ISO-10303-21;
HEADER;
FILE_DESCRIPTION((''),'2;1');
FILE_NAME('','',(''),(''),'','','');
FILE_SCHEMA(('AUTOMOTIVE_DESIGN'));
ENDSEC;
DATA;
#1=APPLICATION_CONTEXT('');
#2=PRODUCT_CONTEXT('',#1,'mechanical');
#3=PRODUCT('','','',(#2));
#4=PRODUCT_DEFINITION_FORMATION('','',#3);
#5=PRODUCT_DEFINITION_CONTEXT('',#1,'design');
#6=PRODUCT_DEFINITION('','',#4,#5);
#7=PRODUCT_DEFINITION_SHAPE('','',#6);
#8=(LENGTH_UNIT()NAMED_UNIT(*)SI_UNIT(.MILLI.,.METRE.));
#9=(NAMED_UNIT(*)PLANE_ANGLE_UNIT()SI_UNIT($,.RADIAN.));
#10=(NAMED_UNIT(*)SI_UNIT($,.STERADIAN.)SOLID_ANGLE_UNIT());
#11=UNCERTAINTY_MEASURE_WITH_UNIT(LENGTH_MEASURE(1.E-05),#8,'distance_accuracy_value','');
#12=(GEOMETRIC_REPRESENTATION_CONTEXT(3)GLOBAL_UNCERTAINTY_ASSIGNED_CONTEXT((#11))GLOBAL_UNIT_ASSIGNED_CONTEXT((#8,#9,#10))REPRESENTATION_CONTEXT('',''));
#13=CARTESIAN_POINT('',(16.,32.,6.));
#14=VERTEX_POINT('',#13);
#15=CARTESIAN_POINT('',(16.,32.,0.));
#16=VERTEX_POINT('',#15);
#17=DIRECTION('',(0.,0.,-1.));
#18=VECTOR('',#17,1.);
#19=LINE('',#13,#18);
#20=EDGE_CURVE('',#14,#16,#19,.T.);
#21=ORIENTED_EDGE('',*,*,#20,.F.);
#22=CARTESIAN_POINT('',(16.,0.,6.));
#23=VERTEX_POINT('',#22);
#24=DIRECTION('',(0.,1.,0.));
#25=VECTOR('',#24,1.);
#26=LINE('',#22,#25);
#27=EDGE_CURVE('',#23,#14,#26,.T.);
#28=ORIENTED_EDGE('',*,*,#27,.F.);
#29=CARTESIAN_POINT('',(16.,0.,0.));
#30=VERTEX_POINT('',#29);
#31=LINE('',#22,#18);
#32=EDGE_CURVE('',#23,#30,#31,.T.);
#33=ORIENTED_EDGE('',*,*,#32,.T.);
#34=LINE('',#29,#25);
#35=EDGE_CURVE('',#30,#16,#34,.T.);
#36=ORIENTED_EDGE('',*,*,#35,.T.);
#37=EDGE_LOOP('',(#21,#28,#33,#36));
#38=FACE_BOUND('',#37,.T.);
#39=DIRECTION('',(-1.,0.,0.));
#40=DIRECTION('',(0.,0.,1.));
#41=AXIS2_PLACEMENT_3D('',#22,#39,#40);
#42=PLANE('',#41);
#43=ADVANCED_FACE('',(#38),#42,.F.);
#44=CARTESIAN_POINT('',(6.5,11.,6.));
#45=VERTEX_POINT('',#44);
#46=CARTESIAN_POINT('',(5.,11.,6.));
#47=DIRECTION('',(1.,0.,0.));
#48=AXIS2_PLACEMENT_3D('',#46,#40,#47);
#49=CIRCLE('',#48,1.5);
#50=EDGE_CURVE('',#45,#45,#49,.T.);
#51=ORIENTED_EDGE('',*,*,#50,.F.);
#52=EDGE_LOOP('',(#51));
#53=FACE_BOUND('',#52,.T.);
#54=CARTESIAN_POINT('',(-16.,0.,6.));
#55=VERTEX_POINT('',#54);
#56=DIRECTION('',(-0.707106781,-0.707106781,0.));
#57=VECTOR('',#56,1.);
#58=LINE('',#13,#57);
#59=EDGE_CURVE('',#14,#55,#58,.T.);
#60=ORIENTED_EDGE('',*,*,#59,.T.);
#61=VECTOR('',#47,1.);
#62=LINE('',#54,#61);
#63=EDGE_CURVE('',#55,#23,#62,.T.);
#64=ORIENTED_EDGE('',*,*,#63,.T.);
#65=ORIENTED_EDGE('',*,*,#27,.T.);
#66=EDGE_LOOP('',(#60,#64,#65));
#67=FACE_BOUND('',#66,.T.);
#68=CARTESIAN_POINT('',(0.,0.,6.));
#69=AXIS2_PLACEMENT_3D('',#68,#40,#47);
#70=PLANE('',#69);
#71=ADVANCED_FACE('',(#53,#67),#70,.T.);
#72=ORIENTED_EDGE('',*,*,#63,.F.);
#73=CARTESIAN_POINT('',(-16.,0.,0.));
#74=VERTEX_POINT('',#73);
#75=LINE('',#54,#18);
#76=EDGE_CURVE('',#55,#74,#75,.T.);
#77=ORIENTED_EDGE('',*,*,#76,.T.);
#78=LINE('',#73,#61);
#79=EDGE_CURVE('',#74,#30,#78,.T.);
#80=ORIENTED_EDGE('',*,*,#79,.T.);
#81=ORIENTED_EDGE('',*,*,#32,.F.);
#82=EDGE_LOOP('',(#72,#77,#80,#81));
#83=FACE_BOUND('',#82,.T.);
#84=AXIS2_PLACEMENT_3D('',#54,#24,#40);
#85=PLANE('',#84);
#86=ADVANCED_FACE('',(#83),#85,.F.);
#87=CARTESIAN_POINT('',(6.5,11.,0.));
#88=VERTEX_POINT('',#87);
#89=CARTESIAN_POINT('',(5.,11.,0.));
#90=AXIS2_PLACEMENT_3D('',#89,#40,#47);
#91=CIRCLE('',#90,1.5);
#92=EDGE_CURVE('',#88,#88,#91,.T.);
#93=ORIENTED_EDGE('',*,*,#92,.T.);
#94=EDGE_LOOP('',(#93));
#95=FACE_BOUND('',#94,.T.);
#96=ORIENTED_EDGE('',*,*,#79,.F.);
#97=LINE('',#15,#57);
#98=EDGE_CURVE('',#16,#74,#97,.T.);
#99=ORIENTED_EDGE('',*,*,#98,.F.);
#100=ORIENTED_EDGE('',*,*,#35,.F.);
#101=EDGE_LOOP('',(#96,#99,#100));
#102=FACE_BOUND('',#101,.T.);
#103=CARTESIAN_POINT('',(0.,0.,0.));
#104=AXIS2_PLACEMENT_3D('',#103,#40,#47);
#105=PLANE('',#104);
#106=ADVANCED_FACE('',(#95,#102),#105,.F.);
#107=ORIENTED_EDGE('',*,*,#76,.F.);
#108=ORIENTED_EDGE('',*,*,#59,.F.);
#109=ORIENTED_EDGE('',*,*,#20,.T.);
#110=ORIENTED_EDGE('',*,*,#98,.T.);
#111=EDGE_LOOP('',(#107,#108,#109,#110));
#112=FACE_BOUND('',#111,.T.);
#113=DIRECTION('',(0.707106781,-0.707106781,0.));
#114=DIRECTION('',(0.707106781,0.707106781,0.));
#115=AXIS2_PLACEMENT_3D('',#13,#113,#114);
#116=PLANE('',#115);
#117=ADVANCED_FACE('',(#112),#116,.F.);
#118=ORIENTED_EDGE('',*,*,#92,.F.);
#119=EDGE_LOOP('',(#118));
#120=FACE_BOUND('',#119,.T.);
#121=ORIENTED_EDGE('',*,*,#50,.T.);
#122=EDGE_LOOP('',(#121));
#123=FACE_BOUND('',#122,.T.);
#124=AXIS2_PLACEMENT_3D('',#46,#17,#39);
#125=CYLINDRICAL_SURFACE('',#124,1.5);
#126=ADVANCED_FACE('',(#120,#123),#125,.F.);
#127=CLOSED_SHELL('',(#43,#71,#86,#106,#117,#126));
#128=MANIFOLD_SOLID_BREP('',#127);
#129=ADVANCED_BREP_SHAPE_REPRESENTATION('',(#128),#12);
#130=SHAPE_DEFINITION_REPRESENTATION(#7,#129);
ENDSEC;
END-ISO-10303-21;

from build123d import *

# Parameters (mm, degrees)
ESBO_O1_R                = 1.5
RESSALTO_EXTRUS_O1_DEPTH = 6


with BuildPart() as part:
    # Esboço1 → Ressalto-extrusão1 (new body)
    with BuildSketch(Plane.XY):
        Polygon((-16, 0), (16, 0), (16, 32), align=None)
        with Locations((5, 11)):
            Circle(ESBO_O1_R, mode=Mode.SUBTRACT)
    extrude(amount=RESSALTO_EXTRUS_O1_DEPTH)


solid = part.part
